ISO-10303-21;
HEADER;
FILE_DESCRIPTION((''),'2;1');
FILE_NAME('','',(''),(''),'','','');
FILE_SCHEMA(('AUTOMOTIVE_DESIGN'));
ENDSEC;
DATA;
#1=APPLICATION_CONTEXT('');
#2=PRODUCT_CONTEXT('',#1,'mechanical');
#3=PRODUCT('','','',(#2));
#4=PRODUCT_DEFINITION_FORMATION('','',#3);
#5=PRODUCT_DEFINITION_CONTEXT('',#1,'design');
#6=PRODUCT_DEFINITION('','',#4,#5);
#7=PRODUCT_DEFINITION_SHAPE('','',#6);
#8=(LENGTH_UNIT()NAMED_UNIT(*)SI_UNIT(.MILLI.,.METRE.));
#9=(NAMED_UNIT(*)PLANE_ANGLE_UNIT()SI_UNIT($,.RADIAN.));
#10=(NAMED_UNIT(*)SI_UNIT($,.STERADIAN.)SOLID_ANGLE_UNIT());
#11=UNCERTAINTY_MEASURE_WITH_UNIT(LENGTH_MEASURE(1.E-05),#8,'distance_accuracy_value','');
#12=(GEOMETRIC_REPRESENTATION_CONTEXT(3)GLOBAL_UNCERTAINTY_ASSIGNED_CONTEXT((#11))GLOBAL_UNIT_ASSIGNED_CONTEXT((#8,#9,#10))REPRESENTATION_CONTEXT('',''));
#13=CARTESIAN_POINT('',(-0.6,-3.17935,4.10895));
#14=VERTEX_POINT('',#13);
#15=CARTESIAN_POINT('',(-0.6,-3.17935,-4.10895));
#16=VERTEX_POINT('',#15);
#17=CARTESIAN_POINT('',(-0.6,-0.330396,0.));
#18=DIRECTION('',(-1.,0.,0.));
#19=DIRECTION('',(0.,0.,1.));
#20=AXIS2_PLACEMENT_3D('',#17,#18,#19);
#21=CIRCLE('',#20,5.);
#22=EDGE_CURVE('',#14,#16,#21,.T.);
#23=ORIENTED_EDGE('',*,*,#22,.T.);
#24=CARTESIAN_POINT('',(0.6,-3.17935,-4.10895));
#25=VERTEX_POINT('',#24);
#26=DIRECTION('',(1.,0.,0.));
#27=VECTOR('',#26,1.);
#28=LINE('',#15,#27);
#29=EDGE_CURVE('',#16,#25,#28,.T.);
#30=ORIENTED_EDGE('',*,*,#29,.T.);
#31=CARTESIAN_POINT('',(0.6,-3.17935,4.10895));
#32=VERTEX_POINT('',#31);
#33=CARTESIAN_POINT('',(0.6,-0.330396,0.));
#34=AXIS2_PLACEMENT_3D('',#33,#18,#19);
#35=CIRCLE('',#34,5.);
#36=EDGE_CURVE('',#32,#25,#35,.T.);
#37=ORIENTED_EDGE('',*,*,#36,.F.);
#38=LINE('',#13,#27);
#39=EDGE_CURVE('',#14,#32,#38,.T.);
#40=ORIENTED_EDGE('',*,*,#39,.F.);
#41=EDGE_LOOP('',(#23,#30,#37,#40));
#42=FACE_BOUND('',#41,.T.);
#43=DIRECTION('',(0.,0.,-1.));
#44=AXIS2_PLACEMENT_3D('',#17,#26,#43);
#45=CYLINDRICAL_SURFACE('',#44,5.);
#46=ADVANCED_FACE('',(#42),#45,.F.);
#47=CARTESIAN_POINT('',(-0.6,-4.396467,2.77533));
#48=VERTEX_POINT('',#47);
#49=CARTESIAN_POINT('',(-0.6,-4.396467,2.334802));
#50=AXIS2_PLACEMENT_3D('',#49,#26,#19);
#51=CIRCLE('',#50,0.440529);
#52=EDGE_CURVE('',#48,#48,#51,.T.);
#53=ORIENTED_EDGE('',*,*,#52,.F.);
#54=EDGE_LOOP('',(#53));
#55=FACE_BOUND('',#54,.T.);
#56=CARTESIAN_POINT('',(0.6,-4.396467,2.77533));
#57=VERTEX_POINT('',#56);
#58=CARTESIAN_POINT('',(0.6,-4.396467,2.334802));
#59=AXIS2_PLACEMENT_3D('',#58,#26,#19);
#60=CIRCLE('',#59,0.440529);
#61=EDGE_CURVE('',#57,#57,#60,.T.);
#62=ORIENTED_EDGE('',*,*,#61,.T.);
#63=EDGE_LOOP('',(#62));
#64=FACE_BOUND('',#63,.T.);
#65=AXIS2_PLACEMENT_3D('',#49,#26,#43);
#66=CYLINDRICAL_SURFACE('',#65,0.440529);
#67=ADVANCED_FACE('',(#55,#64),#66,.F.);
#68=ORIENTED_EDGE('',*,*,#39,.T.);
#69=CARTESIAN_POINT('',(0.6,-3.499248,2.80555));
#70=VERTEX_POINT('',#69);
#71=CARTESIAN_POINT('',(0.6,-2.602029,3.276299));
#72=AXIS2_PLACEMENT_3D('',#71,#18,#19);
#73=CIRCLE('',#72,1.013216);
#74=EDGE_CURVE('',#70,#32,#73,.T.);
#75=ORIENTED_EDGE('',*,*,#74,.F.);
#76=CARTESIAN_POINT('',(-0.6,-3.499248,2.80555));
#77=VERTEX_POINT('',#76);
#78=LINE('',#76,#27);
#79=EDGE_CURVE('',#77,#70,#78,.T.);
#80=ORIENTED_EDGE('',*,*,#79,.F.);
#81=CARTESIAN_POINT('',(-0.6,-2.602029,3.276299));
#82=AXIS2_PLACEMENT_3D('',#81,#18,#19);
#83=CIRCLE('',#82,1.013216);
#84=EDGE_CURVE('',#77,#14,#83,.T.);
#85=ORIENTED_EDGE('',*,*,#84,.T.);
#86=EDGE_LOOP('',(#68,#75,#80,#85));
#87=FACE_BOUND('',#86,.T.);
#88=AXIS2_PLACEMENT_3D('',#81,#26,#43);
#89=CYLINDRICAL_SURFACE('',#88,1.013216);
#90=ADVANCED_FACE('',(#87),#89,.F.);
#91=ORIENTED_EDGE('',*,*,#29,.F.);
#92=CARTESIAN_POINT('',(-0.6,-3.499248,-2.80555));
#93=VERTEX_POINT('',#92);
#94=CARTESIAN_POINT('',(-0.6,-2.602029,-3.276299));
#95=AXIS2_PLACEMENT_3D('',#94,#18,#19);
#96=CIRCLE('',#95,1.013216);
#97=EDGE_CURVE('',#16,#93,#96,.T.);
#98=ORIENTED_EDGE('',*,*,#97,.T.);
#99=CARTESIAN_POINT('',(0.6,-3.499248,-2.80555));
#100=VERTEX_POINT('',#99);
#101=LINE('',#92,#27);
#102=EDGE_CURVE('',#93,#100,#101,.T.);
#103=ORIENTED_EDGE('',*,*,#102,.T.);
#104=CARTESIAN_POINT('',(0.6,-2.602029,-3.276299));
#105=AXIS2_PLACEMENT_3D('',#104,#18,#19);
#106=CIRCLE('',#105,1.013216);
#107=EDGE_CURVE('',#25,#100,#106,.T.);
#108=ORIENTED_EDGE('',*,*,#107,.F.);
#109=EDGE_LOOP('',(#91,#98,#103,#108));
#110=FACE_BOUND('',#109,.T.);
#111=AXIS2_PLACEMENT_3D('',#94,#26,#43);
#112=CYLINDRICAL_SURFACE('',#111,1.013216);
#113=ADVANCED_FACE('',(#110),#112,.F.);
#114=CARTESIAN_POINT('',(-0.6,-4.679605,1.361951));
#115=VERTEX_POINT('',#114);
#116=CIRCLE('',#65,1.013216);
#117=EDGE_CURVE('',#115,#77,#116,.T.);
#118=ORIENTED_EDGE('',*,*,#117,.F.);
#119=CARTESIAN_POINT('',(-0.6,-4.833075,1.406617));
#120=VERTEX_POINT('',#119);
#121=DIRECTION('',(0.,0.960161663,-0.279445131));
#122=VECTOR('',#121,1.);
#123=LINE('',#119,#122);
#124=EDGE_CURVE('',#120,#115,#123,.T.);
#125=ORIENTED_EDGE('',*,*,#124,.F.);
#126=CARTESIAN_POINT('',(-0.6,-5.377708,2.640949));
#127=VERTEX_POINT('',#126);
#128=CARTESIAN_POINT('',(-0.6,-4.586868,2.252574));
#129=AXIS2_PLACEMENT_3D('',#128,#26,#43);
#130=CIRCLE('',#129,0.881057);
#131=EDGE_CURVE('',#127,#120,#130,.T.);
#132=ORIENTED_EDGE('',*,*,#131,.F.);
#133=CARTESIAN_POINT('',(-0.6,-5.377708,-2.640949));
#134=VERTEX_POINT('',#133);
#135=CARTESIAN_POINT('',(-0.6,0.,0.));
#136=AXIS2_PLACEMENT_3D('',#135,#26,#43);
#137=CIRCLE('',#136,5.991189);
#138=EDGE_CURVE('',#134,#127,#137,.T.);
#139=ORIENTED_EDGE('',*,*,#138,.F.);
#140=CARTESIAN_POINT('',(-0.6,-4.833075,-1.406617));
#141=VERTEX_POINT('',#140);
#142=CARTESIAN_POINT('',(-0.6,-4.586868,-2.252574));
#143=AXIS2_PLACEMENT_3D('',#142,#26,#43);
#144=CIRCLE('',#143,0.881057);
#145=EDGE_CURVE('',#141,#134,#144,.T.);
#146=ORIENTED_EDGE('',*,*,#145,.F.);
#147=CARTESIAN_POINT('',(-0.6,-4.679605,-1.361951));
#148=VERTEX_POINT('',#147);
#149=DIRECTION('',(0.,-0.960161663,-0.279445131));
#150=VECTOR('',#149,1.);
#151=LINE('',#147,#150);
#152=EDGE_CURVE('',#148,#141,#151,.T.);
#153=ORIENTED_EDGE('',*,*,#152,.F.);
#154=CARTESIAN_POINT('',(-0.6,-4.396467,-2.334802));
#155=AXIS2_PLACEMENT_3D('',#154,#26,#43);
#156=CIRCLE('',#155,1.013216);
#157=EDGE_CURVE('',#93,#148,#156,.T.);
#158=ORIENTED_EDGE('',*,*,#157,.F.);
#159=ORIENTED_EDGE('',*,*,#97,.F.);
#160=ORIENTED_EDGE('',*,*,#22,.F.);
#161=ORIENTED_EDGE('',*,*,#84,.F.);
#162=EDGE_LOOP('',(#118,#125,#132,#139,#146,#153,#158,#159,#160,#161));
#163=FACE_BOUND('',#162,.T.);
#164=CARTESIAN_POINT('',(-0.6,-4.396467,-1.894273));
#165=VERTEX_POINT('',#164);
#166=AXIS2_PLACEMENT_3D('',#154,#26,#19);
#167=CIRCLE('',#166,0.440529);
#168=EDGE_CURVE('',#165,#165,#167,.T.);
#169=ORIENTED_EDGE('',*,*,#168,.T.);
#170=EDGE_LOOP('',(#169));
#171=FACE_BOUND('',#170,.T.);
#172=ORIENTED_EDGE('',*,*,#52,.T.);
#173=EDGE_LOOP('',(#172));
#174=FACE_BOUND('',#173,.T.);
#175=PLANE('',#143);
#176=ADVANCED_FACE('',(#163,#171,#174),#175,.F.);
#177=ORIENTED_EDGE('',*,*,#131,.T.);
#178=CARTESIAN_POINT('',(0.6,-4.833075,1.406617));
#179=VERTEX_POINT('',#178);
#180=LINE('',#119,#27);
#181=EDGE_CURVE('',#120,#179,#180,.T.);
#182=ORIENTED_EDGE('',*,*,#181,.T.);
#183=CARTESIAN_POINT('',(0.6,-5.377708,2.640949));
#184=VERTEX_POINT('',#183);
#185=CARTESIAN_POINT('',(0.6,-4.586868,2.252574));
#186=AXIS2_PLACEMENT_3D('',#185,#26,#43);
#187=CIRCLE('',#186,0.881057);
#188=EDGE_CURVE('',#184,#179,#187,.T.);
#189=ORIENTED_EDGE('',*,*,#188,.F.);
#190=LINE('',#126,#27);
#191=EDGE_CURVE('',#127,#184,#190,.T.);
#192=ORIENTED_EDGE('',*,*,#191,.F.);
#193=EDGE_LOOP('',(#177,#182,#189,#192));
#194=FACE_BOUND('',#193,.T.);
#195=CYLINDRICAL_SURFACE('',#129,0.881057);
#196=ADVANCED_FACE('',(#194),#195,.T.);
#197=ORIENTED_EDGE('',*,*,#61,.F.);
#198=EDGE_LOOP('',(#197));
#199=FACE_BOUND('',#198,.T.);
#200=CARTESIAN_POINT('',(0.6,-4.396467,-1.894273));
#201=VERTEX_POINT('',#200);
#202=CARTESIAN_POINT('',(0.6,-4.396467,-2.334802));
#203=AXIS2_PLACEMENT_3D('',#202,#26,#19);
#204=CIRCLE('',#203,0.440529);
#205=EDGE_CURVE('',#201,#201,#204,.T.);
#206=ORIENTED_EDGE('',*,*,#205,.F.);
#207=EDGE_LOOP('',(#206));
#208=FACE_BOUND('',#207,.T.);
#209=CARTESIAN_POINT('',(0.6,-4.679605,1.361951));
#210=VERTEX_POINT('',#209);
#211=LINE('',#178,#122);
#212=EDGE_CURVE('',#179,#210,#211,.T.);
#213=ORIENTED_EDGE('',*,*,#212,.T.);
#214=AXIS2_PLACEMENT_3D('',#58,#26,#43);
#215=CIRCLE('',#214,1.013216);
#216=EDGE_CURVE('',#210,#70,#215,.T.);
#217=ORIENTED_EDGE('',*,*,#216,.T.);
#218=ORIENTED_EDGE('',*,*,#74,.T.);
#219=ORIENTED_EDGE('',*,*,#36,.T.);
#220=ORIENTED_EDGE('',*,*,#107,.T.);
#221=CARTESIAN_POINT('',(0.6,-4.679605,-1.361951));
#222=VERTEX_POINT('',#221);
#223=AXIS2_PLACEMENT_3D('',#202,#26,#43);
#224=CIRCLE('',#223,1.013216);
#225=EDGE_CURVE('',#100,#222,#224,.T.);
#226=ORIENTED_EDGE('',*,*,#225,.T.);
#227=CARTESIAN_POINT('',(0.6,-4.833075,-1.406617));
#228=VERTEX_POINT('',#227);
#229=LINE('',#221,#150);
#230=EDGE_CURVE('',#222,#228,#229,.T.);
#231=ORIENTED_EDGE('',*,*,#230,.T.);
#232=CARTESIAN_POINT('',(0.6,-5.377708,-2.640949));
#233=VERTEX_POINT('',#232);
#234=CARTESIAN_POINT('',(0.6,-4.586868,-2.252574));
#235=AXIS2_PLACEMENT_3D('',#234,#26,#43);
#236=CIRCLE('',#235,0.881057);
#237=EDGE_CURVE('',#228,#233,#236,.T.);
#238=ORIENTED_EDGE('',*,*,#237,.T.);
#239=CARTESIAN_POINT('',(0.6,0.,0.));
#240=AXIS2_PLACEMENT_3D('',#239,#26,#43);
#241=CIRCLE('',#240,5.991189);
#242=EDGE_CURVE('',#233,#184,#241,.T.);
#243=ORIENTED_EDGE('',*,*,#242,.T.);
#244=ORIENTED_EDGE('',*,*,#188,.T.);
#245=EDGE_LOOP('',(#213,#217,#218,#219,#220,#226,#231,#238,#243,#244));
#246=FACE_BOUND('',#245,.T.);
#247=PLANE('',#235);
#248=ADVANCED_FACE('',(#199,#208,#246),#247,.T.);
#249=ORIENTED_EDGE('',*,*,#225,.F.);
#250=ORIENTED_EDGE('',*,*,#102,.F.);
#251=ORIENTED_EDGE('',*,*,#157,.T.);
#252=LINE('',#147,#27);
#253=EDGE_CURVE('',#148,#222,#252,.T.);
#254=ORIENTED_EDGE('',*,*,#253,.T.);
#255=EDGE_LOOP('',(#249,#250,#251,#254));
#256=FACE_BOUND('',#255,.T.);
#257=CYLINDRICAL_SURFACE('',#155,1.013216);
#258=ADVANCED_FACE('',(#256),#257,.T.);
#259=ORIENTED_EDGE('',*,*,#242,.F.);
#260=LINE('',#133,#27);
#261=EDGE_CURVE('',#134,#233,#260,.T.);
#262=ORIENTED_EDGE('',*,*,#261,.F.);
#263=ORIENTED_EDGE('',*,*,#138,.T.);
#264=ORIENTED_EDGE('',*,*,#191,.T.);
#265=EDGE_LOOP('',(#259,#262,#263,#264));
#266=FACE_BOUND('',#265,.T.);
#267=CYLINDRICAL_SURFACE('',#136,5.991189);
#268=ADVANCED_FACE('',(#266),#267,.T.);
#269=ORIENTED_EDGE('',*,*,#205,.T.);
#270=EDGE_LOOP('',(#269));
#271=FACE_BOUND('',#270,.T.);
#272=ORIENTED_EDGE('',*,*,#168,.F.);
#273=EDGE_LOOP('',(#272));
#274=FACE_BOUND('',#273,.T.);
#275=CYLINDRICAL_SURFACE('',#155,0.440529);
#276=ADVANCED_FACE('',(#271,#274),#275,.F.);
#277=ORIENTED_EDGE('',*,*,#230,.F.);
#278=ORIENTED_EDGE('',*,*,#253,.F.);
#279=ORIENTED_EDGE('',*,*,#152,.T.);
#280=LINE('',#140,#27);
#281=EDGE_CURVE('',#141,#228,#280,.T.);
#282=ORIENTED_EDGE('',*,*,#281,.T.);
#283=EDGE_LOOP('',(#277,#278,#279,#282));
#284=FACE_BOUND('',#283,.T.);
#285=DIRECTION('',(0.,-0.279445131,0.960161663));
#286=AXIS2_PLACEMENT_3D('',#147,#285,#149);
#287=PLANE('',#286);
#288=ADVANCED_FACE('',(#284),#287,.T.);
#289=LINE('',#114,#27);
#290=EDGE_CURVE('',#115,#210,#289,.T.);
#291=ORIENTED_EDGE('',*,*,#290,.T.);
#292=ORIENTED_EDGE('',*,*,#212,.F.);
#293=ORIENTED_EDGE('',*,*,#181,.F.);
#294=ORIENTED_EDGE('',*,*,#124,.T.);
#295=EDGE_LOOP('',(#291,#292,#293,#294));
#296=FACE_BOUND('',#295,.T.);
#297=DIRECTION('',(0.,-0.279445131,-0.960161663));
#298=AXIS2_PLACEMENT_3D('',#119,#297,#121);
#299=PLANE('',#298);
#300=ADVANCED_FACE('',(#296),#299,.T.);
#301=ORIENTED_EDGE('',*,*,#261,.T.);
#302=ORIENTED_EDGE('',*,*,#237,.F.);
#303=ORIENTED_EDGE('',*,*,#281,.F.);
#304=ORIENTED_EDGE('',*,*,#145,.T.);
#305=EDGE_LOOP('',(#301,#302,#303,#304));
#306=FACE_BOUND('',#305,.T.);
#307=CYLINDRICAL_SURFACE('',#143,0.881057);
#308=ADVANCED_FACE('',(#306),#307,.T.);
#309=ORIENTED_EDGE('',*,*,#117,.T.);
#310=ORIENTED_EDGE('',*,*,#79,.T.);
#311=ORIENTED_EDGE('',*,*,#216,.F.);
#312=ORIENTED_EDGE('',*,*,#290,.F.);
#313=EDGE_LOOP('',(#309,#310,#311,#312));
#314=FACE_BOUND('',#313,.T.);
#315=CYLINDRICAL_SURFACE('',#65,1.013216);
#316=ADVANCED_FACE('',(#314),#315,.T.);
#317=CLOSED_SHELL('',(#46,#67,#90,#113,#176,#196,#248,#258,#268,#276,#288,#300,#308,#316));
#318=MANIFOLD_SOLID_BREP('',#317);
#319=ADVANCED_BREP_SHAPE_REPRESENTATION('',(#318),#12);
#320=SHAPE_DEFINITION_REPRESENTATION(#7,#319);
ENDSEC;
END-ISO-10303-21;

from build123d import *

# Parameters (mm, degrees)
SKETCH1_R           = 0.440528634
BOSS_EXTRUDE1_DEPTH = 1.2


with BuildPart() as part:
    # Sketch1 → Boss-Extrude1 (new body)
    with BuildSketch(Plane(origin=(0.6, 0, 0), x_dir=(0, 0, -1), z_dir=(1, 0, 0))):
        with BuildLine():
            Line((-1.406616674, -4.833075449), (-1.361950738, -4.679605182))
            ThreePointArc((-1.361950738, -4.679605182), (-1.693445711, -3.612076228), (-2.805550353, -3.499247827))
            ThreePointArc((-2.805550353, -3.499247827), (-3.517808728, -3.586040603), (-4.108949504, -3.179349612))
            ThreePointArc((-4.108949504, -3.179349612), (0, 4.669603524), (4.108949504, -3.179349612))
            ThreePointArc((4.108949504, -3.179349612), (3.517808728, -3.586040603), (2.805550353, -3.499247827))
            ThreePointArc((2.805550353, -3.499247827), (1.693445711, -3.612076228), (1.361950738, -4.679605182))
            Line((1.361950738, -4.679605182), (1.406616674, -4.833075449))
            ThreePointArc((1.406616674, -4.833075449), (1.89690358, -5.392945454), (2.640948929, -5.377707645))
            ThreePointArc((2.640948929, -5.377707645), (0, 5.991189427), (-2.640948929, -5.377707645))
            ThreePointArc((-2.640948929, -5.377707645), (-1.89690358, -5.392945454), (-1.406616674, -4.833075449))
        make_face()
        with Locations((-2.334801762, -4.396466943)):
            Circle(SKETCH1_R, mode=Mode.SUBTRACT)
        with Locations((2.334801762, -4.396466943)):
            Circle(SKETCH1_R, mode=Mode.SUBTRACT)
    extrude(amount=-BOSS_EXTRUDE1_DEPTH)


solid = part.part
